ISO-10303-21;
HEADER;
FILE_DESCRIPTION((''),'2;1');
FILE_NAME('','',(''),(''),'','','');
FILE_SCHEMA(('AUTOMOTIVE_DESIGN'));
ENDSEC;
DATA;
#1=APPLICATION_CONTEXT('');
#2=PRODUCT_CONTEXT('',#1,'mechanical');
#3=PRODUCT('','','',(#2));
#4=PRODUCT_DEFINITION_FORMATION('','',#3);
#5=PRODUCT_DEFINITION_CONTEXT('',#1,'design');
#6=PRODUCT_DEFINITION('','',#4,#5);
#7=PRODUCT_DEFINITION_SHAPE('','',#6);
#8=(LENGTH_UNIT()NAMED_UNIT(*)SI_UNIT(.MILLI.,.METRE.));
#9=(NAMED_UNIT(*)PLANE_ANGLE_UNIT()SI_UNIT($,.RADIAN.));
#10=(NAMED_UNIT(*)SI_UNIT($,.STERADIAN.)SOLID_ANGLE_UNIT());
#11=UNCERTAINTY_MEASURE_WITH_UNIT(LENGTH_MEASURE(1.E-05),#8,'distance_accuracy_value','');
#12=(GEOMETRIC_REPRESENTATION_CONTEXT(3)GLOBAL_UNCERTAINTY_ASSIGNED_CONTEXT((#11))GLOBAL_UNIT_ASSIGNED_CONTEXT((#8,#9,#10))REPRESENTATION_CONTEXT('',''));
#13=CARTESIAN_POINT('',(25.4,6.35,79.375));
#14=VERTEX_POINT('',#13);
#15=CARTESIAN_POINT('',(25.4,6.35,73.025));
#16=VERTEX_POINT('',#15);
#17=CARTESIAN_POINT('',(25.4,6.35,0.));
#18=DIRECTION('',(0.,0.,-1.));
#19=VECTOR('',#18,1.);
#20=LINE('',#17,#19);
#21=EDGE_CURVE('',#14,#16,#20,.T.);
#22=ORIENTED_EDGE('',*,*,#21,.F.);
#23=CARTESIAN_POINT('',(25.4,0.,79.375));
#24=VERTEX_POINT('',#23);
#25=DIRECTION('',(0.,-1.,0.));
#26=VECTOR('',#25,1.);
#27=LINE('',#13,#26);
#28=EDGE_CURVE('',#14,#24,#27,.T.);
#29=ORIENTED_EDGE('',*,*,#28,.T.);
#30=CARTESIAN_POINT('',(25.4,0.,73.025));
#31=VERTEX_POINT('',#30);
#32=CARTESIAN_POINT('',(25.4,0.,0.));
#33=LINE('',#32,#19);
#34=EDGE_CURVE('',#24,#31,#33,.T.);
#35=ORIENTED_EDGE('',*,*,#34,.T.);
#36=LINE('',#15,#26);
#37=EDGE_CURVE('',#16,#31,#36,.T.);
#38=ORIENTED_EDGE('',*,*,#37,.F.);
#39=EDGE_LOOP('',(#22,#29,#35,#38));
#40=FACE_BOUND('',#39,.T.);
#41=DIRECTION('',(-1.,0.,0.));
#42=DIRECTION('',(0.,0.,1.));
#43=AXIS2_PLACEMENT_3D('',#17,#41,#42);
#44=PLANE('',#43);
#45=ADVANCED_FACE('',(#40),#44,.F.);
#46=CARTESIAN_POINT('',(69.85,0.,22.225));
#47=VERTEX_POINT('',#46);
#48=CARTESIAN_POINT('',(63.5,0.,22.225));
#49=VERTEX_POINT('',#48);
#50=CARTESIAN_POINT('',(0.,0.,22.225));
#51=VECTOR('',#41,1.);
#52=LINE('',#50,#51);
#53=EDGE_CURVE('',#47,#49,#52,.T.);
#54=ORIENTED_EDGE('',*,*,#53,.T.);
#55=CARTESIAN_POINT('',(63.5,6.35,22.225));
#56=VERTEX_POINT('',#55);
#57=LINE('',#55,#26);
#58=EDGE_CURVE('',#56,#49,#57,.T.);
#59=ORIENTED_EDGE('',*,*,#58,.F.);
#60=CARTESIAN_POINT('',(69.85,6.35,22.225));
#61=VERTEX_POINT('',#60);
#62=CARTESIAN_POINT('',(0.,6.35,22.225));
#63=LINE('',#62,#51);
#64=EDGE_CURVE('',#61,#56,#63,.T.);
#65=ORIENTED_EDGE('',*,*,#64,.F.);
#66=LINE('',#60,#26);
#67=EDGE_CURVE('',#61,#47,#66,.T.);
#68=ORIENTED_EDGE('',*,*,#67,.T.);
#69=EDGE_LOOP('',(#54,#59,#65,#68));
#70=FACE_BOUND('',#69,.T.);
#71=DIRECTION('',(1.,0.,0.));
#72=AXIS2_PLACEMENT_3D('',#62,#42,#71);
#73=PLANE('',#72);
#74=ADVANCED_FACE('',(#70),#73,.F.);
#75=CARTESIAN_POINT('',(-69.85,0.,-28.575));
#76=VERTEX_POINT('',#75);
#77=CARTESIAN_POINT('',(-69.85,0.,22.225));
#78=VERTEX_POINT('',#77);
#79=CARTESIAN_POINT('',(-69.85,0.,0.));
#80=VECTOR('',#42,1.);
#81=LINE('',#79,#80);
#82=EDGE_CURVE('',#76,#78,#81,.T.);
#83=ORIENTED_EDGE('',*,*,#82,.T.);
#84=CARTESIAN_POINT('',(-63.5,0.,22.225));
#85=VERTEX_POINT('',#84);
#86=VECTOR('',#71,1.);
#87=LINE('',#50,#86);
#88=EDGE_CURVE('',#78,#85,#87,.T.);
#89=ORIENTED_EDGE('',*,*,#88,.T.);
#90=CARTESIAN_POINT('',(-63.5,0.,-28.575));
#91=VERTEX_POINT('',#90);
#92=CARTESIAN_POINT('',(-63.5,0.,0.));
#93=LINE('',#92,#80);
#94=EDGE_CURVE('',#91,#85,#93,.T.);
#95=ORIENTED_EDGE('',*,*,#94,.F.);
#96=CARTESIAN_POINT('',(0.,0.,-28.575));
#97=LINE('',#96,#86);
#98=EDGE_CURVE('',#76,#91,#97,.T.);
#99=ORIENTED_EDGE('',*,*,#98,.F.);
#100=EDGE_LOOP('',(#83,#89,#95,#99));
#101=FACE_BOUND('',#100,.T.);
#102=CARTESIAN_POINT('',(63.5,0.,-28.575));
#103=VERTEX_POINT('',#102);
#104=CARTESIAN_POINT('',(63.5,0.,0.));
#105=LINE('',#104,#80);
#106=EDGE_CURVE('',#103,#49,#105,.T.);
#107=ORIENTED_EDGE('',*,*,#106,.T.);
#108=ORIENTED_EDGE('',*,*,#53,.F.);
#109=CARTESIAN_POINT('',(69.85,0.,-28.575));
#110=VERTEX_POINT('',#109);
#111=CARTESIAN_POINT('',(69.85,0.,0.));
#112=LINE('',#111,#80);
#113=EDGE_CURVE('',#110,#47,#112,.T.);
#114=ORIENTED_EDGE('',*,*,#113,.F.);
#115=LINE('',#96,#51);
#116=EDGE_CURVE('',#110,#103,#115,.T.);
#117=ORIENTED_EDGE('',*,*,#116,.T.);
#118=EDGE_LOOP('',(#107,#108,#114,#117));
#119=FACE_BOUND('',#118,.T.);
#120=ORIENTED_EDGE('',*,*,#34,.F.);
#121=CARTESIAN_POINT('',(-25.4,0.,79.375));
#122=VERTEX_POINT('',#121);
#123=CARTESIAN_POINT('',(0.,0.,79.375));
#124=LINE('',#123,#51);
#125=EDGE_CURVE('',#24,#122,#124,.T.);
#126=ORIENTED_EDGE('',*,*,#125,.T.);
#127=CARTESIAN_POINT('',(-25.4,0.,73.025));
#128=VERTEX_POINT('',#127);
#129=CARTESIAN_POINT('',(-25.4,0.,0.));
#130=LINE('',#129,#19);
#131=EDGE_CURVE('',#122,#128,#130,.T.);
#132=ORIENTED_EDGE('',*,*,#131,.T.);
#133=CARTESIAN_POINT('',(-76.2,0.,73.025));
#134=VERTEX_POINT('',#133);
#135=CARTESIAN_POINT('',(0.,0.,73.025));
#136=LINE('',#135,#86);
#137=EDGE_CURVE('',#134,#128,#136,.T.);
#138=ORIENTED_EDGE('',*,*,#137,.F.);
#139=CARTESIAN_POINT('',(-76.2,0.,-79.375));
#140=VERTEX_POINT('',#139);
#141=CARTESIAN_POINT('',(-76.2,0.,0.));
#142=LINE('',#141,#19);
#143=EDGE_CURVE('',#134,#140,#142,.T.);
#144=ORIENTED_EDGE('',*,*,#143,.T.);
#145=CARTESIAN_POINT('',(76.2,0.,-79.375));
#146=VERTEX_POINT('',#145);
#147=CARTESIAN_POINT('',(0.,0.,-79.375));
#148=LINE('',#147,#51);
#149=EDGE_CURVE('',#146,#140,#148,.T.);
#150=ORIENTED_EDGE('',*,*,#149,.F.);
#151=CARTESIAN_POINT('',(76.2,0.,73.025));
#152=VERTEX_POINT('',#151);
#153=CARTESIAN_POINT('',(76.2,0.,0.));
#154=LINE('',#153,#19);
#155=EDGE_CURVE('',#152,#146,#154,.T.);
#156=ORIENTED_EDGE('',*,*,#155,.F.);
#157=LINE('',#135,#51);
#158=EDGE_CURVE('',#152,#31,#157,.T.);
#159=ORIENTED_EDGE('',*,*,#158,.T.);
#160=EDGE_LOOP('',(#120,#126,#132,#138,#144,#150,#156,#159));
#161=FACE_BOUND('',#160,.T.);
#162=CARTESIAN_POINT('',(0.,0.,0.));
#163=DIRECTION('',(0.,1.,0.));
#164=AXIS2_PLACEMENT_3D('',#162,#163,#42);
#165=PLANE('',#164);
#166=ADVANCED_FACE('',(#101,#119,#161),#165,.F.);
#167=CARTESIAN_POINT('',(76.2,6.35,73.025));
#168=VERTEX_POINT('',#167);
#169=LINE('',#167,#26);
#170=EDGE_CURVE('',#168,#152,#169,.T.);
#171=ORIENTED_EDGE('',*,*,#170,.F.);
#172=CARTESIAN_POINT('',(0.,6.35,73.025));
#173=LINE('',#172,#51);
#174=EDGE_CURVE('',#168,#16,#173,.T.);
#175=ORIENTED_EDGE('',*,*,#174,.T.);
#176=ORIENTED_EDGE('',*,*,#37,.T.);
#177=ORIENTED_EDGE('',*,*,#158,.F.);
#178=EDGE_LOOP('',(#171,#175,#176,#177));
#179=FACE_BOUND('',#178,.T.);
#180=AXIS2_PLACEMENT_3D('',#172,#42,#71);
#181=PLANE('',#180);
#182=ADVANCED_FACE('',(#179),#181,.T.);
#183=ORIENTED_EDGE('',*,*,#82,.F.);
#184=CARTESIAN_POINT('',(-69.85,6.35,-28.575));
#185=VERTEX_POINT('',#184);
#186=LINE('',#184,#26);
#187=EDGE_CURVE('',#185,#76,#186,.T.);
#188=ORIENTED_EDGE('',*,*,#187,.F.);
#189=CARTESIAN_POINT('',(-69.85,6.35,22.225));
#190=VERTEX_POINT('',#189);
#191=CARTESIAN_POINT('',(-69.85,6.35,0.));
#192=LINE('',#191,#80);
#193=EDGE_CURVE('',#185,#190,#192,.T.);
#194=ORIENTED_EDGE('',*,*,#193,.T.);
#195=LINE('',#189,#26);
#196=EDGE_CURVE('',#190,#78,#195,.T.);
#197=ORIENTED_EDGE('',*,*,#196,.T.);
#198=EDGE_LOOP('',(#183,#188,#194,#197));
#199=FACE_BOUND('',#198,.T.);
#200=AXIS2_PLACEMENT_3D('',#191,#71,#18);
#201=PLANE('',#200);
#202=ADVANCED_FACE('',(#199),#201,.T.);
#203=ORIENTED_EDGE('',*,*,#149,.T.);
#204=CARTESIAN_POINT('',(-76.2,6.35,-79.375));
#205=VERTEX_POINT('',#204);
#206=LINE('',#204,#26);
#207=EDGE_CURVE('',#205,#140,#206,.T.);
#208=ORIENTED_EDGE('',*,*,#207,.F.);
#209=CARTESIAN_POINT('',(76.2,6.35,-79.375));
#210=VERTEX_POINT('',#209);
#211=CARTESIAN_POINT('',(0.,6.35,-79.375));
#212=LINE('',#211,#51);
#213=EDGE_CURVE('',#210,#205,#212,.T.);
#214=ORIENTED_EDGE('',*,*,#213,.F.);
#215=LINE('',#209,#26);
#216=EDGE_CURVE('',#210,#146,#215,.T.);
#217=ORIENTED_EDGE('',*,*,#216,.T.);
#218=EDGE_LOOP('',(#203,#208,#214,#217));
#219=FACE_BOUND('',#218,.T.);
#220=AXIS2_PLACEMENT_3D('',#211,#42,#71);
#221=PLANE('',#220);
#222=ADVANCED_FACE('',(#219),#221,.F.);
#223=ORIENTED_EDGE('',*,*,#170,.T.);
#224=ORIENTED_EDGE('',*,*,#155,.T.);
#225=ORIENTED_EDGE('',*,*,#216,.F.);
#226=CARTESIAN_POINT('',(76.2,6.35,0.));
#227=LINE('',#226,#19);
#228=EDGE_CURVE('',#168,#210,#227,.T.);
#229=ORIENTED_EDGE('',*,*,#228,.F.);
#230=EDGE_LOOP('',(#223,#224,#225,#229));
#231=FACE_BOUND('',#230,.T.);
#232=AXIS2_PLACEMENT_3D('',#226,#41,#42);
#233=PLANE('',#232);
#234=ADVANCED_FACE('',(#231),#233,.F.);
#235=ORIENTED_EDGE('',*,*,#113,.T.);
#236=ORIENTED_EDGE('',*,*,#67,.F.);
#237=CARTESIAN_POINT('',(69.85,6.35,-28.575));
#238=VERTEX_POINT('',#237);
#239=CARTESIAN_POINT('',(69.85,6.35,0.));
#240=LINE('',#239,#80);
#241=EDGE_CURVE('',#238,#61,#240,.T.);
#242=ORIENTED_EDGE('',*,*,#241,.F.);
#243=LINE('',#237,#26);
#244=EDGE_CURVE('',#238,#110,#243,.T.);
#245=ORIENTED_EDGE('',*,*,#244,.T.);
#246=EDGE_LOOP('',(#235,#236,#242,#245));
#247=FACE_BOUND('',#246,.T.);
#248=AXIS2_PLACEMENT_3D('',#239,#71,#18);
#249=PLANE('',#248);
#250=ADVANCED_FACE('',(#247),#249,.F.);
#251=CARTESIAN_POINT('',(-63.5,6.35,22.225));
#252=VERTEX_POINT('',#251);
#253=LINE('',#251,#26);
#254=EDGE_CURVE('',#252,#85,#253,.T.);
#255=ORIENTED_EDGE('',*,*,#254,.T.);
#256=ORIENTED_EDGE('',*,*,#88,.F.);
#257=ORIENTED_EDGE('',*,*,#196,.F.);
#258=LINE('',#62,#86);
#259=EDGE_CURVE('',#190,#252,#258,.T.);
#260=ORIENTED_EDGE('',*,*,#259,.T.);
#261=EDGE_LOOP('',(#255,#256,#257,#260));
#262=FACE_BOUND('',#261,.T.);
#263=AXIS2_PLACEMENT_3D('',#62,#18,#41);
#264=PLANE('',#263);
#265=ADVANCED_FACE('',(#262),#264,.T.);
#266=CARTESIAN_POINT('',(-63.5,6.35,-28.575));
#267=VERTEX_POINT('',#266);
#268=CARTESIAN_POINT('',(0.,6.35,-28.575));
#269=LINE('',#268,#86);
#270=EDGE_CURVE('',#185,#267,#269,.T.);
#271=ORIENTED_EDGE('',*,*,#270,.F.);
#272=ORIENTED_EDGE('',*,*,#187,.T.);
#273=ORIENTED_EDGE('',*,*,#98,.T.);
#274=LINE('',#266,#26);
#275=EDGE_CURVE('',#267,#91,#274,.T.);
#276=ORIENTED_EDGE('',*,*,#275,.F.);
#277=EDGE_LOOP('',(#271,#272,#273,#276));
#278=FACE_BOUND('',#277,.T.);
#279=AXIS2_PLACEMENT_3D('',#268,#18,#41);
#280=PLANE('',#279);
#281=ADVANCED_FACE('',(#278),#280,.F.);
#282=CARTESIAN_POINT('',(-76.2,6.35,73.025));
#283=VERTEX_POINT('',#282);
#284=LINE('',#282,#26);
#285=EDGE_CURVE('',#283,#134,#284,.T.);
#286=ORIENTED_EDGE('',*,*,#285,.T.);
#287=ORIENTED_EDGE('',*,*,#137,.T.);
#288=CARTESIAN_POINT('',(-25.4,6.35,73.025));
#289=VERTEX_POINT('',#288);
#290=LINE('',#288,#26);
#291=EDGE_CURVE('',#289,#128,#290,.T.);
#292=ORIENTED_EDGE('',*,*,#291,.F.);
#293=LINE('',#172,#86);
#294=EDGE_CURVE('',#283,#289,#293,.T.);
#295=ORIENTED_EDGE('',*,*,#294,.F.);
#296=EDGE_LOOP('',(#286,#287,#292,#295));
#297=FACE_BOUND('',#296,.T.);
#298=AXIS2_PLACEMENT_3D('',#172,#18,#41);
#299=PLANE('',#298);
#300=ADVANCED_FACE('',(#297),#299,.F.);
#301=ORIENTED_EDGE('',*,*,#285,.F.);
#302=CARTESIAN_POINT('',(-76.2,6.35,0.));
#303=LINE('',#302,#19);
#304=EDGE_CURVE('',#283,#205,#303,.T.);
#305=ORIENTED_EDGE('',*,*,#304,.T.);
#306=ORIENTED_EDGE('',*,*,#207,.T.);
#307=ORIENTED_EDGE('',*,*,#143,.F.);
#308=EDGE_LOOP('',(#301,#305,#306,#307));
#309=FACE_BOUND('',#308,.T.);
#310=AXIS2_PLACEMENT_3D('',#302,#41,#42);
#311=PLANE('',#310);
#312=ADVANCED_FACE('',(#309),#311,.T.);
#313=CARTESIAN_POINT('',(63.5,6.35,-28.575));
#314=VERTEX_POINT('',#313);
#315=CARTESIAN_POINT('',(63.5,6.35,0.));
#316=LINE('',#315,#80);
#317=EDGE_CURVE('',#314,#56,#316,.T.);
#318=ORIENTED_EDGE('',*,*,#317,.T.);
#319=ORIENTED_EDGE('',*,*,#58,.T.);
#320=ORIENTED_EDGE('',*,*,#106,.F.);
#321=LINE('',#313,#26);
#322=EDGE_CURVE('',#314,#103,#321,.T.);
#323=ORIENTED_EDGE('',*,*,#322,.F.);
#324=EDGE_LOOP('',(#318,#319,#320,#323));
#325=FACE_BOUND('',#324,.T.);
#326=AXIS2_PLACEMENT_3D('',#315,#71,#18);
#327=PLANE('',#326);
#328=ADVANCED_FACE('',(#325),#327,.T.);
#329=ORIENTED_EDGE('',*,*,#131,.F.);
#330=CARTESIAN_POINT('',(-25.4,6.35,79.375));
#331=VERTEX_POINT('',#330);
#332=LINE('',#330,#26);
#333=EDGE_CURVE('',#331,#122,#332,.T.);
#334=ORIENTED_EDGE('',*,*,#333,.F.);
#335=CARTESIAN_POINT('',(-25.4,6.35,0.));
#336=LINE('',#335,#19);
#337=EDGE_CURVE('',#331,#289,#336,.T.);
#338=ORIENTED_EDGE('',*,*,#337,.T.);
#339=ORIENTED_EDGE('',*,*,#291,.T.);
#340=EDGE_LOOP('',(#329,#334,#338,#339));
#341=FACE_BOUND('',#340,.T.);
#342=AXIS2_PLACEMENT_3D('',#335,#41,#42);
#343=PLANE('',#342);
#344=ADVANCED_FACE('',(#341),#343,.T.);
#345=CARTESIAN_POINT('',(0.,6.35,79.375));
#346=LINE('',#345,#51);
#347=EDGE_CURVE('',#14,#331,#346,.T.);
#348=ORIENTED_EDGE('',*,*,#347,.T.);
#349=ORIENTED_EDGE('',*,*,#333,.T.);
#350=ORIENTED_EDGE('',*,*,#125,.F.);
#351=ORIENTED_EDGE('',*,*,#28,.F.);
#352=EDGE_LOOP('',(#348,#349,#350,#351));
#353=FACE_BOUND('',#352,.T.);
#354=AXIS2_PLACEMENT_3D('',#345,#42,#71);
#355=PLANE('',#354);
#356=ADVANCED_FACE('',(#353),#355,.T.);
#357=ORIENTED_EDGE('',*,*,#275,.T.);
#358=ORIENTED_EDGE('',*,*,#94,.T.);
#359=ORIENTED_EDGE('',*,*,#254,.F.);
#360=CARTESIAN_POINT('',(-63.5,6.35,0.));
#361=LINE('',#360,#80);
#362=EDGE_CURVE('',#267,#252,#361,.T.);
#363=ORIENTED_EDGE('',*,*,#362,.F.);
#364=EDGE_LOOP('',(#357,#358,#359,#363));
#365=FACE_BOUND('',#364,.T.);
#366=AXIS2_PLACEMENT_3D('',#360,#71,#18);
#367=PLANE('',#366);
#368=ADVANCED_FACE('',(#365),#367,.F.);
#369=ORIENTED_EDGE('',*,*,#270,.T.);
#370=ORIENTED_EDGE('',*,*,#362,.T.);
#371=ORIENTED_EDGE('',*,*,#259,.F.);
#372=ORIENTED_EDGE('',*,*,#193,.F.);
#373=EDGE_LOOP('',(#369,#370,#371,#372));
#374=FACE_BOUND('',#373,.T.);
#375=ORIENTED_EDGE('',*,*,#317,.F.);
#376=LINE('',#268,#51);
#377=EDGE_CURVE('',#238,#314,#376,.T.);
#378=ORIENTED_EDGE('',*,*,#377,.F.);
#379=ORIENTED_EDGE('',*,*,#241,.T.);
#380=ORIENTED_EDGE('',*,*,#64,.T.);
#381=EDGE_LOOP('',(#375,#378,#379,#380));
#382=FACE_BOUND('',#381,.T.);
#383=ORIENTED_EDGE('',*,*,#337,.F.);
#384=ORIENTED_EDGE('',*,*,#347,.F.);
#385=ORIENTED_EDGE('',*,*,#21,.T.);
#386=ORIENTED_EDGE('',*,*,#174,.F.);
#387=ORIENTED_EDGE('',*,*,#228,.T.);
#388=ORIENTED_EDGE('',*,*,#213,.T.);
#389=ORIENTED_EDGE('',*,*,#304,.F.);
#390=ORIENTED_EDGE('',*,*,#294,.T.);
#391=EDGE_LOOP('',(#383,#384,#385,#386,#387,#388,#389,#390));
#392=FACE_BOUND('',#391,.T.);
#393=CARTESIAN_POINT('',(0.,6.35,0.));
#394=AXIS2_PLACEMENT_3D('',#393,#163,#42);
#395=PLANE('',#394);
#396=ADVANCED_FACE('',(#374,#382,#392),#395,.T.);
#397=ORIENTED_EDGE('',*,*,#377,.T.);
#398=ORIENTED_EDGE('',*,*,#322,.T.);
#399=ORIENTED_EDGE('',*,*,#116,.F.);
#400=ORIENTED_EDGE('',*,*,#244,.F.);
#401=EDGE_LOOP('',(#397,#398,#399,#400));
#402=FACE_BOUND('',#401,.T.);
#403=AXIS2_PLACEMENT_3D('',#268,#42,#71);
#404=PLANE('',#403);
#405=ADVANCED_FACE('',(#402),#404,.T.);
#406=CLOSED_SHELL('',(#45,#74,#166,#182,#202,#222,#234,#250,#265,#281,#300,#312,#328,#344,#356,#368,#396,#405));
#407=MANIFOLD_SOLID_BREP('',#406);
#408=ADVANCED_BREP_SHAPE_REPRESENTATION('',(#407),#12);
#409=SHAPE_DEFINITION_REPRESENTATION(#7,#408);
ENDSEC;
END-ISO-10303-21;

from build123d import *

# Parameters (mm, degrees)
SKETCH1_W           = 6.35
SKETCH1_H           = 50.8
BOSS_EXTRUDE1_DEPTH = 6.35


with BuildPart() as part:
    # Sketch1 → Boss-Extrude1 (new body)
    with BuildSketch(Plane(origin=(0, 0, 0), x_dir=(1, 0, 0), z_dir=(0, 1, 0))):
        Polygon((-25.4, -79.375), (25.4, -79.375), (25.4, -73.025), (76.2, -73.025), (76.2, 79.375), (-76.2, 79.375), (-76.2, -73.025), (-25.4, -73.025), align=None)
        with Locations((-66.675, 3.175)):
            Rectangle(SKETCH1_W, SKETCH1_H, mode=Mode.SUBTRACT)
        with Locations((66.675, 3.175)):
            Rectangle(SKETCH1_W, SKETCH1_H, mode=Mode.SUBTRACT)
    extrude(amount=BOSS_EXTRUDE1_DEPTH)


solid = part.part
